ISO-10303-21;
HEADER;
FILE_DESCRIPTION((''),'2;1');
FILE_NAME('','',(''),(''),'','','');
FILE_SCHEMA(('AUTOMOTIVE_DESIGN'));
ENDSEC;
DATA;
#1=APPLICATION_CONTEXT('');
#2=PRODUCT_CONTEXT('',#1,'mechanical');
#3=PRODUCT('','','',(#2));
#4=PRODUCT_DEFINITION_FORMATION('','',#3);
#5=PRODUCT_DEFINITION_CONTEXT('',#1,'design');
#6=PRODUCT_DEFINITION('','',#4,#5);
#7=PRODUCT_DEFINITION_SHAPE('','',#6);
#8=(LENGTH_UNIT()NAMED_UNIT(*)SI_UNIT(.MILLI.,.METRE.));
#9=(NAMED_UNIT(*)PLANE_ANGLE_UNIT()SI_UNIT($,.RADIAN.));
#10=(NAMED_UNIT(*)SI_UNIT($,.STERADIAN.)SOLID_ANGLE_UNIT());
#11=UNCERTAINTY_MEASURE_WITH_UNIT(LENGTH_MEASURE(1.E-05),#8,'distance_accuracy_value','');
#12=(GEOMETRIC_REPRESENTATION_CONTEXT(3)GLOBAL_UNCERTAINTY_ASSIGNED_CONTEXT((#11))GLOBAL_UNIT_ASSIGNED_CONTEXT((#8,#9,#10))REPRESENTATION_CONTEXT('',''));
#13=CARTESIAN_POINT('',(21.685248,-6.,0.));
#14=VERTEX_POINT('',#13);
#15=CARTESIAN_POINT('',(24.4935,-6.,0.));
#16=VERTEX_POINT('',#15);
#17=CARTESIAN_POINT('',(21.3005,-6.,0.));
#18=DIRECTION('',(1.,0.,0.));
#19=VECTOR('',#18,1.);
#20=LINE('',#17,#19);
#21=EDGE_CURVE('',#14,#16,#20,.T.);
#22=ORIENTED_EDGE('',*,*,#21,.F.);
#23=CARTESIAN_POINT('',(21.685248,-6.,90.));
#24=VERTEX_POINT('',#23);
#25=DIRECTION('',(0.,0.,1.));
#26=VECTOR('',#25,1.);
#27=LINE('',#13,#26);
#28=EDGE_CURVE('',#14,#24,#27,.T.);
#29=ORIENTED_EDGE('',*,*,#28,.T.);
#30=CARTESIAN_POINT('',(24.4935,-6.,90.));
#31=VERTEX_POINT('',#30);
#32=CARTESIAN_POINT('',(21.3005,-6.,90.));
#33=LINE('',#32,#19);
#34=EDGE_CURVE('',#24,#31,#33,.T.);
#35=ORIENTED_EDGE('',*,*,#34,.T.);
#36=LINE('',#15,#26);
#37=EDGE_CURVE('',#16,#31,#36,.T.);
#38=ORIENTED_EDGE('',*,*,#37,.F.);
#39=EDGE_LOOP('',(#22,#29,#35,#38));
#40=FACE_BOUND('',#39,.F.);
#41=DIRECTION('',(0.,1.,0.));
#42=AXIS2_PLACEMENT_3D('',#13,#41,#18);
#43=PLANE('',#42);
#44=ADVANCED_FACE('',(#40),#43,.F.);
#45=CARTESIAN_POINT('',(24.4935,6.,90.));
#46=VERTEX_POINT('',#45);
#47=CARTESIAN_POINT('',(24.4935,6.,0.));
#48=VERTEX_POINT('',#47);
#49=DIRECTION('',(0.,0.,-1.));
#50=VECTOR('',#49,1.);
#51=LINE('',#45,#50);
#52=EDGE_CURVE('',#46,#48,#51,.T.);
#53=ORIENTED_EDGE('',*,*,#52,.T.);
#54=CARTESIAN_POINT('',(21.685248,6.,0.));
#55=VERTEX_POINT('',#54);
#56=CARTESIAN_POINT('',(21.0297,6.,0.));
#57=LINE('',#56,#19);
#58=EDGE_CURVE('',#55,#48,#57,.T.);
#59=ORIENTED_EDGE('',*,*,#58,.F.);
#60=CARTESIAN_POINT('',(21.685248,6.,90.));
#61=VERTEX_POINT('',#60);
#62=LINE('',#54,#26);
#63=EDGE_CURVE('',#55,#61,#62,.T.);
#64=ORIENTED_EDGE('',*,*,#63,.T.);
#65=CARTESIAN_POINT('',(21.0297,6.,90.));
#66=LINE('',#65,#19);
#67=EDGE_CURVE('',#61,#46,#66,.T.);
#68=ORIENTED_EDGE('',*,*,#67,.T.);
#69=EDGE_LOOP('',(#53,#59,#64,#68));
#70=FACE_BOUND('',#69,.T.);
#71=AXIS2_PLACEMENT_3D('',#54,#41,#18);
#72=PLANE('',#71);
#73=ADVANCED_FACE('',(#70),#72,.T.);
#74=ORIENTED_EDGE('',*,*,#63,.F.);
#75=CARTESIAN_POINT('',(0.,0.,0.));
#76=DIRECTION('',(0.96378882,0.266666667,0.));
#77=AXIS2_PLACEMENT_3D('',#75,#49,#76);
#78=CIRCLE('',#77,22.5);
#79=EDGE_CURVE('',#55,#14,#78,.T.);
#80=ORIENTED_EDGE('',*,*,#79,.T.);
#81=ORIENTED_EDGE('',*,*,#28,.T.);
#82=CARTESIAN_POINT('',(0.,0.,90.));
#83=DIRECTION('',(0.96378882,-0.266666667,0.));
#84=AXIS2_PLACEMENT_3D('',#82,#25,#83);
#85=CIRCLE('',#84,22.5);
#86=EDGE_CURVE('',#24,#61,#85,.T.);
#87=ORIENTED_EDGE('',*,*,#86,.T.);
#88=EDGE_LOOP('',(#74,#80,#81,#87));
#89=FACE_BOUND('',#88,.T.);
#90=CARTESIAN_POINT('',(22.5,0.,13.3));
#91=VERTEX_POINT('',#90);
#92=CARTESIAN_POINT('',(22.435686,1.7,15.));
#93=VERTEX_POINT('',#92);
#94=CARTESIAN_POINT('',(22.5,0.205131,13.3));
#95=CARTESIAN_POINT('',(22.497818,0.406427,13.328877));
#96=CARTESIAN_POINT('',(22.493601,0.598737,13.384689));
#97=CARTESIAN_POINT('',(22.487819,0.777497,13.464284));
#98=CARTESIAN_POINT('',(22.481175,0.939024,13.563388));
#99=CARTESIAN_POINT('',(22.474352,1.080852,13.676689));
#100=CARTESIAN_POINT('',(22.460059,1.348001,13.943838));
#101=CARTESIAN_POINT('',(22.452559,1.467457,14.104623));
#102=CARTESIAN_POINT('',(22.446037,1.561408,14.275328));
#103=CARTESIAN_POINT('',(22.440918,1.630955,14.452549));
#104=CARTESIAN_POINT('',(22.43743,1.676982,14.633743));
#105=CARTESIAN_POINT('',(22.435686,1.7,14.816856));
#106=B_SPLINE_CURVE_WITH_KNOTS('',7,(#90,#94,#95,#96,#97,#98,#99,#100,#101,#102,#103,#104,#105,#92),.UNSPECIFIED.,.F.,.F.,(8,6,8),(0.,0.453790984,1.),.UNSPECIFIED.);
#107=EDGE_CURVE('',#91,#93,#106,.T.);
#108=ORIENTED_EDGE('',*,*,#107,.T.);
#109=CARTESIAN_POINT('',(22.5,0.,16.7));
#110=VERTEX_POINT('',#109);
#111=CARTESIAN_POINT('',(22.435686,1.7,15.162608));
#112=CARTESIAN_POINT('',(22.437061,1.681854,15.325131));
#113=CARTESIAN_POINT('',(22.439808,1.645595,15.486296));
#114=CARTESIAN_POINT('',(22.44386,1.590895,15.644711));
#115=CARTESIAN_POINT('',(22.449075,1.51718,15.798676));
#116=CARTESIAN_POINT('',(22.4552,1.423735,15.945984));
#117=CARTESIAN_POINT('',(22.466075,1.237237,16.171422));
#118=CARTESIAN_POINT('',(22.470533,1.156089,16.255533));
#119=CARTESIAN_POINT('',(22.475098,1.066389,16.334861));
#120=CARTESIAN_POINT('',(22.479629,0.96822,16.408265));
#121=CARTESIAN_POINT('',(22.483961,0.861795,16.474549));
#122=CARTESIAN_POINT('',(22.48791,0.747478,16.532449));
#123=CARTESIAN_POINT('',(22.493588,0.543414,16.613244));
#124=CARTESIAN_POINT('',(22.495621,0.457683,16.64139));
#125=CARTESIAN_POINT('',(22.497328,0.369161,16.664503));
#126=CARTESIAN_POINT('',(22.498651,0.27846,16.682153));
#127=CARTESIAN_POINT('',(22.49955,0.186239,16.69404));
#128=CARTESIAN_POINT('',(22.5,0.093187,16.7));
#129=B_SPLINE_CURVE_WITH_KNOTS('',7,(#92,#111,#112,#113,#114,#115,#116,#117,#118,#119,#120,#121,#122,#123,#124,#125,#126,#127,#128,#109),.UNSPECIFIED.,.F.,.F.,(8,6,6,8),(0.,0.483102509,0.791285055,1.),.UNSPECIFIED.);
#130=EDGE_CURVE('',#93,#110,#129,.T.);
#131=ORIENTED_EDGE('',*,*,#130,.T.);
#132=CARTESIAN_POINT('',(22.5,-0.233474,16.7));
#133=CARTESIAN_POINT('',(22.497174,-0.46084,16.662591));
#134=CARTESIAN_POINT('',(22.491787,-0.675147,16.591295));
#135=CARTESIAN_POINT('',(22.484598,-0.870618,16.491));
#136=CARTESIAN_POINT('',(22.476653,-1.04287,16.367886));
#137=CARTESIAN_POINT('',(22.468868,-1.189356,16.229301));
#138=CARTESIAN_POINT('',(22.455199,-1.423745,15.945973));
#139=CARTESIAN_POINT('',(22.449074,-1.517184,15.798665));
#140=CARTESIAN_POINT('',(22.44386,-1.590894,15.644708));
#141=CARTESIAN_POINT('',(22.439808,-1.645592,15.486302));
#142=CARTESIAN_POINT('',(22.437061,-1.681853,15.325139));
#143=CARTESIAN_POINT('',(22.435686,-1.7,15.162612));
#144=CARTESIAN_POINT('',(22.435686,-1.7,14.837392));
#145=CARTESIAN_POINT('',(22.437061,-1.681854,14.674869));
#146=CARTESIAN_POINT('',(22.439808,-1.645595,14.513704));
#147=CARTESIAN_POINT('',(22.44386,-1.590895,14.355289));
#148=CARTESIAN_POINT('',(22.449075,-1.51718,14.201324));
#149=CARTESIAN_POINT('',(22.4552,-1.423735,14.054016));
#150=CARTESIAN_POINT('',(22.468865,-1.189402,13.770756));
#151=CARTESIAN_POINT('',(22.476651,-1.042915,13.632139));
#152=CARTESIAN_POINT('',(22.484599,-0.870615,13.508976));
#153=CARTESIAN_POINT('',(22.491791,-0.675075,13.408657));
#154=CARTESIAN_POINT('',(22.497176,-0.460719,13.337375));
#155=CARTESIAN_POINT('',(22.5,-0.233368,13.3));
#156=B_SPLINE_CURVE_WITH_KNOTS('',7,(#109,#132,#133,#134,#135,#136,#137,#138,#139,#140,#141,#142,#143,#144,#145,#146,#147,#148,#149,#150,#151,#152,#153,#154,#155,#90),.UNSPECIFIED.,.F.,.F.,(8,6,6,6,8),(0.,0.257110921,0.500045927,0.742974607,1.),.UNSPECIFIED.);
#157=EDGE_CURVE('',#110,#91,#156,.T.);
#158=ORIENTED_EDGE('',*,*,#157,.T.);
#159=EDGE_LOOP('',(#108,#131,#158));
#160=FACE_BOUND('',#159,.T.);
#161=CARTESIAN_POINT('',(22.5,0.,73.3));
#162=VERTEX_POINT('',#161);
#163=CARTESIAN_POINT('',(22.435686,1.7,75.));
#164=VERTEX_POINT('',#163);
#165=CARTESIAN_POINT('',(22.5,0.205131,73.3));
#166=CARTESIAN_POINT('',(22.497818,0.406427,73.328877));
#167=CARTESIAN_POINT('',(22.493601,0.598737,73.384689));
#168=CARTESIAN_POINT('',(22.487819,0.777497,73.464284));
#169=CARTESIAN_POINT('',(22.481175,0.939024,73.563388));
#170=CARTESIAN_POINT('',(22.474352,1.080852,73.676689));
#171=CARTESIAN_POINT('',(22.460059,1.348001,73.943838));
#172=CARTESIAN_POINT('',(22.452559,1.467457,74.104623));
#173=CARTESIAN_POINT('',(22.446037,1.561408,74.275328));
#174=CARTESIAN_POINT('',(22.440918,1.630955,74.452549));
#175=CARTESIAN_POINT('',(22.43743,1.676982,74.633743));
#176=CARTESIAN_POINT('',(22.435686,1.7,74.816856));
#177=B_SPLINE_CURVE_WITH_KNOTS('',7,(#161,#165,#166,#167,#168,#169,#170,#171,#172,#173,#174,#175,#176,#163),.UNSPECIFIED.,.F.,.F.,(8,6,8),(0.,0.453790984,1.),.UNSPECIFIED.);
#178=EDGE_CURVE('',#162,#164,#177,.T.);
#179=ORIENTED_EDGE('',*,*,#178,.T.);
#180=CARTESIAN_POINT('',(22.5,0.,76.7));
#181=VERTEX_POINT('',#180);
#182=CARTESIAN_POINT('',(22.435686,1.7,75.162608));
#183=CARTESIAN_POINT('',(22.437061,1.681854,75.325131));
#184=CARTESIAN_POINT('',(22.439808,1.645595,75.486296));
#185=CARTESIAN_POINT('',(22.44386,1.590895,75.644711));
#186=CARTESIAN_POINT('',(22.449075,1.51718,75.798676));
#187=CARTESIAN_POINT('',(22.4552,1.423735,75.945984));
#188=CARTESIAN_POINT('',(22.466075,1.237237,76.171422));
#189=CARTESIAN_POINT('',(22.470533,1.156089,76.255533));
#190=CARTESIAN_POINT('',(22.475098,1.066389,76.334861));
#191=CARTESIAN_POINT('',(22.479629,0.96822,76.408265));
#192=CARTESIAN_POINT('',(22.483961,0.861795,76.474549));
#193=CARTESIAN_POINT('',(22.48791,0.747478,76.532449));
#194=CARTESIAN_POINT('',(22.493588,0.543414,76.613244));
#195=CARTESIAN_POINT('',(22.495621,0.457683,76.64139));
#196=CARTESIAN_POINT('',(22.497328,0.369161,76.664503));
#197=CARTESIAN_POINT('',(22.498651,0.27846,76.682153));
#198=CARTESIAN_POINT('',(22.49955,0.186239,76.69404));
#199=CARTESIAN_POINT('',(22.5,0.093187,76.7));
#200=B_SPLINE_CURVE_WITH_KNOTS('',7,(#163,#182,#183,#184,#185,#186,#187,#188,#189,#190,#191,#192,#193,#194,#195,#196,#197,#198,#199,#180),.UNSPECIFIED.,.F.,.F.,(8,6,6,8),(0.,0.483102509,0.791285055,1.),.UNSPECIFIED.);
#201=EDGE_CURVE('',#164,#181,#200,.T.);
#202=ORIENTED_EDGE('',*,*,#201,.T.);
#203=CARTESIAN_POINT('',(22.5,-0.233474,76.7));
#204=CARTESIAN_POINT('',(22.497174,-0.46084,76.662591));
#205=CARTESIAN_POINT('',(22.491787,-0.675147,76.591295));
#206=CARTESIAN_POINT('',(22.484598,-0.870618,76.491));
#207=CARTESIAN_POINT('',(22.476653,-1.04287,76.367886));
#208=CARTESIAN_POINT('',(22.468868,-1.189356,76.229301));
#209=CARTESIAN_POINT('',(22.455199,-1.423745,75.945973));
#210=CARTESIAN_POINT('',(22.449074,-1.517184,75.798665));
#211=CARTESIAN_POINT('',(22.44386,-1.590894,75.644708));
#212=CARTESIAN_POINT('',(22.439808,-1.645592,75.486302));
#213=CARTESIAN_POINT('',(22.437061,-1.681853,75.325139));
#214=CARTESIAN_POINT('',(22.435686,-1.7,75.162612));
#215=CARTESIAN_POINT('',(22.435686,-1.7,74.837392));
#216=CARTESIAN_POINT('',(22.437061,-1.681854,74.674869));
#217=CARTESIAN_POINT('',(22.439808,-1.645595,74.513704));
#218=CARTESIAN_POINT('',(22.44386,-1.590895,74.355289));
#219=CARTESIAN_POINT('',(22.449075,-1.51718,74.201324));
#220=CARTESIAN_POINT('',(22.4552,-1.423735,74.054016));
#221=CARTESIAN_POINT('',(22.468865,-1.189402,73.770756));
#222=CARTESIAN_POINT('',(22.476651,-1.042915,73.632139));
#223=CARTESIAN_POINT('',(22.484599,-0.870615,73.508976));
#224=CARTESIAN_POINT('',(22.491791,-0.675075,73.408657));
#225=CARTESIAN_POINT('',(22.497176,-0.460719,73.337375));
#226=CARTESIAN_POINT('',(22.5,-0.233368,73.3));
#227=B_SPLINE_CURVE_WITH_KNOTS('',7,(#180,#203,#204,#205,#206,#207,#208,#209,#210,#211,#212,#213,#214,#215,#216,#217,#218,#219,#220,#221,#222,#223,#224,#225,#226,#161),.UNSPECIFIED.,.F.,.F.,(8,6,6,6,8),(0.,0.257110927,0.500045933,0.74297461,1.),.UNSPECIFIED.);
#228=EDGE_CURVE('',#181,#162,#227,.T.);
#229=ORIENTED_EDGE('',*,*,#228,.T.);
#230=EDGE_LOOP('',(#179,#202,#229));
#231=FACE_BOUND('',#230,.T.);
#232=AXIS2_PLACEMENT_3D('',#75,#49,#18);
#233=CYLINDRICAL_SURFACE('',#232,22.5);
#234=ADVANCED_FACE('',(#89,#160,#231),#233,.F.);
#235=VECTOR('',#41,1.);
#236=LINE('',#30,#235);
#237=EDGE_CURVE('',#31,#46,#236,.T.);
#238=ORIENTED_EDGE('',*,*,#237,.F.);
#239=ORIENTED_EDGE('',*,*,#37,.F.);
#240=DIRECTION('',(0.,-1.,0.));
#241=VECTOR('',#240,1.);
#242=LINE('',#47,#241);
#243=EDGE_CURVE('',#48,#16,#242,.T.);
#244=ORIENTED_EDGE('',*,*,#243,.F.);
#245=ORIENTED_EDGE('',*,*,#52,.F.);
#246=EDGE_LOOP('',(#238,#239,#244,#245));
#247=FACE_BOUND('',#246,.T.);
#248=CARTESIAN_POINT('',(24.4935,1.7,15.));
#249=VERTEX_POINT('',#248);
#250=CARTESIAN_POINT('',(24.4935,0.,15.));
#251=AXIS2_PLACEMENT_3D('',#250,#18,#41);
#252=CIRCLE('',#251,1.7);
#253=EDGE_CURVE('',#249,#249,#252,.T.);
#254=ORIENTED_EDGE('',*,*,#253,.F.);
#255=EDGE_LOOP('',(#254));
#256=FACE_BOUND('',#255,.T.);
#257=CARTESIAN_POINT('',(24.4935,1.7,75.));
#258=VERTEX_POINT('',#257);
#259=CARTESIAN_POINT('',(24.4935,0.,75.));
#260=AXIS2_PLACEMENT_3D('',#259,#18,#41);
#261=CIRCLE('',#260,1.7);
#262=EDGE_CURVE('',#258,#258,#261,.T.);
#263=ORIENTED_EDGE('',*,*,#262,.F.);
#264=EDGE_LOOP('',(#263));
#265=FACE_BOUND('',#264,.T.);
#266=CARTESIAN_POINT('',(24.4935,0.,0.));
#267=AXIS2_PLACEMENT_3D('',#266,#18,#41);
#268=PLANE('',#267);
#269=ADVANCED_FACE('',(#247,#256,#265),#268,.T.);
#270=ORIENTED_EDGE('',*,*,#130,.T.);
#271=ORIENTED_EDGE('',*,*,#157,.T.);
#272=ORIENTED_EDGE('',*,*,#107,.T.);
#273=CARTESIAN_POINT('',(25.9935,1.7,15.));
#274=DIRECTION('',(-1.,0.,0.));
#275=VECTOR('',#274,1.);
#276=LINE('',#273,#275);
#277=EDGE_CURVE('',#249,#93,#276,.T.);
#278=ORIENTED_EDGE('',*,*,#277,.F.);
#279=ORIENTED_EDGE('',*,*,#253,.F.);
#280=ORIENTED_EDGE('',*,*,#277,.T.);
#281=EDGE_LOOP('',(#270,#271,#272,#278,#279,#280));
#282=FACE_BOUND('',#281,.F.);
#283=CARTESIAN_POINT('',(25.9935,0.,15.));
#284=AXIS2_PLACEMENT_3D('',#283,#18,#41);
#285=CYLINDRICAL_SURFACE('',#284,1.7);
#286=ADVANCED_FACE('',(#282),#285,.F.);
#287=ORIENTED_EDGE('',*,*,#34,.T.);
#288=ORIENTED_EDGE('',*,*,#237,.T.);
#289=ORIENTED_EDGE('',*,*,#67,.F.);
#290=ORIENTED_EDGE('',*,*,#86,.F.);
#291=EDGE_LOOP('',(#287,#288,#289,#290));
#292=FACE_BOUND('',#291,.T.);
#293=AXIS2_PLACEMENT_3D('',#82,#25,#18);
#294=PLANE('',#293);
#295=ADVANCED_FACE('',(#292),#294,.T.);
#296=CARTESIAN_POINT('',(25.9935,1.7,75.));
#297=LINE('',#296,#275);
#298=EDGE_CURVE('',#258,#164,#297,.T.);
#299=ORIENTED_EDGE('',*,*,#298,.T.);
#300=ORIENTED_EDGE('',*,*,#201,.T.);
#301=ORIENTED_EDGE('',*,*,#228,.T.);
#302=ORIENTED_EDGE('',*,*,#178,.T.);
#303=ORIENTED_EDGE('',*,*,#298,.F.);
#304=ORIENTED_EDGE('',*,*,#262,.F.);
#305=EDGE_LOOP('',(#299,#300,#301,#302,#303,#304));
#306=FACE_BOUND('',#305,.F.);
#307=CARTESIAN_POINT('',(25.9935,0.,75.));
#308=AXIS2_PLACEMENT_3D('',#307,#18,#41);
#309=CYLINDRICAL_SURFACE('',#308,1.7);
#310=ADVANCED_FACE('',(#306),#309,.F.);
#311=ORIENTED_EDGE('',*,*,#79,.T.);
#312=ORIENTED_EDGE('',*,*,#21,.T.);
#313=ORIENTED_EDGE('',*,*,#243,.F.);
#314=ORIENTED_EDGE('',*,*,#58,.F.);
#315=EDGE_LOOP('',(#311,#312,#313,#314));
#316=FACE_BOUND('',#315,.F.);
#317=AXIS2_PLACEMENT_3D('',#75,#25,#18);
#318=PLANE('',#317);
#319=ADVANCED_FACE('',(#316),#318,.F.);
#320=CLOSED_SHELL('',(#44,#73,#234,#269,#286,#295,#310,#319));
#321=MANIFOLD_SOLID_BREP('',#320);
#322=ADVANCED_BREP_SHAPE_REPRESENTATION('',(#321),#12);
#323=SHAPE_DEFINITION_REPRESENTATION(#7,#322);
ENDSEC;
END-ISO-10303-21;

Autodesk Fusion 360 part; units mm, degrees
sketch "Sketch1" plane through (0, 0, 0) normal (0, 0, 1) x (1, 0, 0)
  circle A0 centre (0, 0) radius 22.5
  circle A1 centre (10.9935, 0) radius 15
  line L0 (21.0297, 6) -> (24.7412, 6)
  line L1 (21.3005, -6) -> (24.7412, -6)
  line L2 (-24.0211, 0.3833) -> (-31.0114, 0.3928) construction
  line L3 (0, 0) -> (31, 0) construction
  dimension "d2" = 45
  dimension "d3" = 30
  dimension "d6" = 6
  dimension "d7" = 6
extrude "Extrude1" add sketch "Sketch1" along normal blind 90 contours A0 A1 L0 L1
ref_plane "WorkPlane1" through (25.9935, 0, 55.0321) normal (1, 0, 0) x (0, -1, 0)
sketch "Sketch2" plane through (25.9935, 0, 0) normal (1, 0, 0) x (0, 1, 0)
  circle A0 centre (0, 75) radius 1.7
  circle A1 centre (0, 15) radius 1.7
  line L0 (6, 90) -> (-6, 90)
  dimension "d11" = 60
  dimension "d12" = 3.4
  dimension "d15" = 15
extrude "Extrude2" cut sketch "Sketch2" against normal blind 25
ref_plane "WorkPlane2" through (25.9935, 0, 73.0088) normal (1, 0, 0) x (0, -1, 0)
sketch "Sketch3" plane through (25.9935, 0, 0) normal (1, 0, 0) x (0, 1, 0)
  line L0 (-6, 90) -> (6, 90)
  line L1 (6, 90) -> (6, 0)
  line L2 (6, 0) -> (-6, 0)
  line L3 (-6, 0) -> (-6, 90)
  line L4 (0, 0) -> (0, 98.2362) construction
  dimension "d22" = 12
  dimension "d23" = 6
extrude "Extrude3" cut sketch "Sketch3" against normal blind 1.5
